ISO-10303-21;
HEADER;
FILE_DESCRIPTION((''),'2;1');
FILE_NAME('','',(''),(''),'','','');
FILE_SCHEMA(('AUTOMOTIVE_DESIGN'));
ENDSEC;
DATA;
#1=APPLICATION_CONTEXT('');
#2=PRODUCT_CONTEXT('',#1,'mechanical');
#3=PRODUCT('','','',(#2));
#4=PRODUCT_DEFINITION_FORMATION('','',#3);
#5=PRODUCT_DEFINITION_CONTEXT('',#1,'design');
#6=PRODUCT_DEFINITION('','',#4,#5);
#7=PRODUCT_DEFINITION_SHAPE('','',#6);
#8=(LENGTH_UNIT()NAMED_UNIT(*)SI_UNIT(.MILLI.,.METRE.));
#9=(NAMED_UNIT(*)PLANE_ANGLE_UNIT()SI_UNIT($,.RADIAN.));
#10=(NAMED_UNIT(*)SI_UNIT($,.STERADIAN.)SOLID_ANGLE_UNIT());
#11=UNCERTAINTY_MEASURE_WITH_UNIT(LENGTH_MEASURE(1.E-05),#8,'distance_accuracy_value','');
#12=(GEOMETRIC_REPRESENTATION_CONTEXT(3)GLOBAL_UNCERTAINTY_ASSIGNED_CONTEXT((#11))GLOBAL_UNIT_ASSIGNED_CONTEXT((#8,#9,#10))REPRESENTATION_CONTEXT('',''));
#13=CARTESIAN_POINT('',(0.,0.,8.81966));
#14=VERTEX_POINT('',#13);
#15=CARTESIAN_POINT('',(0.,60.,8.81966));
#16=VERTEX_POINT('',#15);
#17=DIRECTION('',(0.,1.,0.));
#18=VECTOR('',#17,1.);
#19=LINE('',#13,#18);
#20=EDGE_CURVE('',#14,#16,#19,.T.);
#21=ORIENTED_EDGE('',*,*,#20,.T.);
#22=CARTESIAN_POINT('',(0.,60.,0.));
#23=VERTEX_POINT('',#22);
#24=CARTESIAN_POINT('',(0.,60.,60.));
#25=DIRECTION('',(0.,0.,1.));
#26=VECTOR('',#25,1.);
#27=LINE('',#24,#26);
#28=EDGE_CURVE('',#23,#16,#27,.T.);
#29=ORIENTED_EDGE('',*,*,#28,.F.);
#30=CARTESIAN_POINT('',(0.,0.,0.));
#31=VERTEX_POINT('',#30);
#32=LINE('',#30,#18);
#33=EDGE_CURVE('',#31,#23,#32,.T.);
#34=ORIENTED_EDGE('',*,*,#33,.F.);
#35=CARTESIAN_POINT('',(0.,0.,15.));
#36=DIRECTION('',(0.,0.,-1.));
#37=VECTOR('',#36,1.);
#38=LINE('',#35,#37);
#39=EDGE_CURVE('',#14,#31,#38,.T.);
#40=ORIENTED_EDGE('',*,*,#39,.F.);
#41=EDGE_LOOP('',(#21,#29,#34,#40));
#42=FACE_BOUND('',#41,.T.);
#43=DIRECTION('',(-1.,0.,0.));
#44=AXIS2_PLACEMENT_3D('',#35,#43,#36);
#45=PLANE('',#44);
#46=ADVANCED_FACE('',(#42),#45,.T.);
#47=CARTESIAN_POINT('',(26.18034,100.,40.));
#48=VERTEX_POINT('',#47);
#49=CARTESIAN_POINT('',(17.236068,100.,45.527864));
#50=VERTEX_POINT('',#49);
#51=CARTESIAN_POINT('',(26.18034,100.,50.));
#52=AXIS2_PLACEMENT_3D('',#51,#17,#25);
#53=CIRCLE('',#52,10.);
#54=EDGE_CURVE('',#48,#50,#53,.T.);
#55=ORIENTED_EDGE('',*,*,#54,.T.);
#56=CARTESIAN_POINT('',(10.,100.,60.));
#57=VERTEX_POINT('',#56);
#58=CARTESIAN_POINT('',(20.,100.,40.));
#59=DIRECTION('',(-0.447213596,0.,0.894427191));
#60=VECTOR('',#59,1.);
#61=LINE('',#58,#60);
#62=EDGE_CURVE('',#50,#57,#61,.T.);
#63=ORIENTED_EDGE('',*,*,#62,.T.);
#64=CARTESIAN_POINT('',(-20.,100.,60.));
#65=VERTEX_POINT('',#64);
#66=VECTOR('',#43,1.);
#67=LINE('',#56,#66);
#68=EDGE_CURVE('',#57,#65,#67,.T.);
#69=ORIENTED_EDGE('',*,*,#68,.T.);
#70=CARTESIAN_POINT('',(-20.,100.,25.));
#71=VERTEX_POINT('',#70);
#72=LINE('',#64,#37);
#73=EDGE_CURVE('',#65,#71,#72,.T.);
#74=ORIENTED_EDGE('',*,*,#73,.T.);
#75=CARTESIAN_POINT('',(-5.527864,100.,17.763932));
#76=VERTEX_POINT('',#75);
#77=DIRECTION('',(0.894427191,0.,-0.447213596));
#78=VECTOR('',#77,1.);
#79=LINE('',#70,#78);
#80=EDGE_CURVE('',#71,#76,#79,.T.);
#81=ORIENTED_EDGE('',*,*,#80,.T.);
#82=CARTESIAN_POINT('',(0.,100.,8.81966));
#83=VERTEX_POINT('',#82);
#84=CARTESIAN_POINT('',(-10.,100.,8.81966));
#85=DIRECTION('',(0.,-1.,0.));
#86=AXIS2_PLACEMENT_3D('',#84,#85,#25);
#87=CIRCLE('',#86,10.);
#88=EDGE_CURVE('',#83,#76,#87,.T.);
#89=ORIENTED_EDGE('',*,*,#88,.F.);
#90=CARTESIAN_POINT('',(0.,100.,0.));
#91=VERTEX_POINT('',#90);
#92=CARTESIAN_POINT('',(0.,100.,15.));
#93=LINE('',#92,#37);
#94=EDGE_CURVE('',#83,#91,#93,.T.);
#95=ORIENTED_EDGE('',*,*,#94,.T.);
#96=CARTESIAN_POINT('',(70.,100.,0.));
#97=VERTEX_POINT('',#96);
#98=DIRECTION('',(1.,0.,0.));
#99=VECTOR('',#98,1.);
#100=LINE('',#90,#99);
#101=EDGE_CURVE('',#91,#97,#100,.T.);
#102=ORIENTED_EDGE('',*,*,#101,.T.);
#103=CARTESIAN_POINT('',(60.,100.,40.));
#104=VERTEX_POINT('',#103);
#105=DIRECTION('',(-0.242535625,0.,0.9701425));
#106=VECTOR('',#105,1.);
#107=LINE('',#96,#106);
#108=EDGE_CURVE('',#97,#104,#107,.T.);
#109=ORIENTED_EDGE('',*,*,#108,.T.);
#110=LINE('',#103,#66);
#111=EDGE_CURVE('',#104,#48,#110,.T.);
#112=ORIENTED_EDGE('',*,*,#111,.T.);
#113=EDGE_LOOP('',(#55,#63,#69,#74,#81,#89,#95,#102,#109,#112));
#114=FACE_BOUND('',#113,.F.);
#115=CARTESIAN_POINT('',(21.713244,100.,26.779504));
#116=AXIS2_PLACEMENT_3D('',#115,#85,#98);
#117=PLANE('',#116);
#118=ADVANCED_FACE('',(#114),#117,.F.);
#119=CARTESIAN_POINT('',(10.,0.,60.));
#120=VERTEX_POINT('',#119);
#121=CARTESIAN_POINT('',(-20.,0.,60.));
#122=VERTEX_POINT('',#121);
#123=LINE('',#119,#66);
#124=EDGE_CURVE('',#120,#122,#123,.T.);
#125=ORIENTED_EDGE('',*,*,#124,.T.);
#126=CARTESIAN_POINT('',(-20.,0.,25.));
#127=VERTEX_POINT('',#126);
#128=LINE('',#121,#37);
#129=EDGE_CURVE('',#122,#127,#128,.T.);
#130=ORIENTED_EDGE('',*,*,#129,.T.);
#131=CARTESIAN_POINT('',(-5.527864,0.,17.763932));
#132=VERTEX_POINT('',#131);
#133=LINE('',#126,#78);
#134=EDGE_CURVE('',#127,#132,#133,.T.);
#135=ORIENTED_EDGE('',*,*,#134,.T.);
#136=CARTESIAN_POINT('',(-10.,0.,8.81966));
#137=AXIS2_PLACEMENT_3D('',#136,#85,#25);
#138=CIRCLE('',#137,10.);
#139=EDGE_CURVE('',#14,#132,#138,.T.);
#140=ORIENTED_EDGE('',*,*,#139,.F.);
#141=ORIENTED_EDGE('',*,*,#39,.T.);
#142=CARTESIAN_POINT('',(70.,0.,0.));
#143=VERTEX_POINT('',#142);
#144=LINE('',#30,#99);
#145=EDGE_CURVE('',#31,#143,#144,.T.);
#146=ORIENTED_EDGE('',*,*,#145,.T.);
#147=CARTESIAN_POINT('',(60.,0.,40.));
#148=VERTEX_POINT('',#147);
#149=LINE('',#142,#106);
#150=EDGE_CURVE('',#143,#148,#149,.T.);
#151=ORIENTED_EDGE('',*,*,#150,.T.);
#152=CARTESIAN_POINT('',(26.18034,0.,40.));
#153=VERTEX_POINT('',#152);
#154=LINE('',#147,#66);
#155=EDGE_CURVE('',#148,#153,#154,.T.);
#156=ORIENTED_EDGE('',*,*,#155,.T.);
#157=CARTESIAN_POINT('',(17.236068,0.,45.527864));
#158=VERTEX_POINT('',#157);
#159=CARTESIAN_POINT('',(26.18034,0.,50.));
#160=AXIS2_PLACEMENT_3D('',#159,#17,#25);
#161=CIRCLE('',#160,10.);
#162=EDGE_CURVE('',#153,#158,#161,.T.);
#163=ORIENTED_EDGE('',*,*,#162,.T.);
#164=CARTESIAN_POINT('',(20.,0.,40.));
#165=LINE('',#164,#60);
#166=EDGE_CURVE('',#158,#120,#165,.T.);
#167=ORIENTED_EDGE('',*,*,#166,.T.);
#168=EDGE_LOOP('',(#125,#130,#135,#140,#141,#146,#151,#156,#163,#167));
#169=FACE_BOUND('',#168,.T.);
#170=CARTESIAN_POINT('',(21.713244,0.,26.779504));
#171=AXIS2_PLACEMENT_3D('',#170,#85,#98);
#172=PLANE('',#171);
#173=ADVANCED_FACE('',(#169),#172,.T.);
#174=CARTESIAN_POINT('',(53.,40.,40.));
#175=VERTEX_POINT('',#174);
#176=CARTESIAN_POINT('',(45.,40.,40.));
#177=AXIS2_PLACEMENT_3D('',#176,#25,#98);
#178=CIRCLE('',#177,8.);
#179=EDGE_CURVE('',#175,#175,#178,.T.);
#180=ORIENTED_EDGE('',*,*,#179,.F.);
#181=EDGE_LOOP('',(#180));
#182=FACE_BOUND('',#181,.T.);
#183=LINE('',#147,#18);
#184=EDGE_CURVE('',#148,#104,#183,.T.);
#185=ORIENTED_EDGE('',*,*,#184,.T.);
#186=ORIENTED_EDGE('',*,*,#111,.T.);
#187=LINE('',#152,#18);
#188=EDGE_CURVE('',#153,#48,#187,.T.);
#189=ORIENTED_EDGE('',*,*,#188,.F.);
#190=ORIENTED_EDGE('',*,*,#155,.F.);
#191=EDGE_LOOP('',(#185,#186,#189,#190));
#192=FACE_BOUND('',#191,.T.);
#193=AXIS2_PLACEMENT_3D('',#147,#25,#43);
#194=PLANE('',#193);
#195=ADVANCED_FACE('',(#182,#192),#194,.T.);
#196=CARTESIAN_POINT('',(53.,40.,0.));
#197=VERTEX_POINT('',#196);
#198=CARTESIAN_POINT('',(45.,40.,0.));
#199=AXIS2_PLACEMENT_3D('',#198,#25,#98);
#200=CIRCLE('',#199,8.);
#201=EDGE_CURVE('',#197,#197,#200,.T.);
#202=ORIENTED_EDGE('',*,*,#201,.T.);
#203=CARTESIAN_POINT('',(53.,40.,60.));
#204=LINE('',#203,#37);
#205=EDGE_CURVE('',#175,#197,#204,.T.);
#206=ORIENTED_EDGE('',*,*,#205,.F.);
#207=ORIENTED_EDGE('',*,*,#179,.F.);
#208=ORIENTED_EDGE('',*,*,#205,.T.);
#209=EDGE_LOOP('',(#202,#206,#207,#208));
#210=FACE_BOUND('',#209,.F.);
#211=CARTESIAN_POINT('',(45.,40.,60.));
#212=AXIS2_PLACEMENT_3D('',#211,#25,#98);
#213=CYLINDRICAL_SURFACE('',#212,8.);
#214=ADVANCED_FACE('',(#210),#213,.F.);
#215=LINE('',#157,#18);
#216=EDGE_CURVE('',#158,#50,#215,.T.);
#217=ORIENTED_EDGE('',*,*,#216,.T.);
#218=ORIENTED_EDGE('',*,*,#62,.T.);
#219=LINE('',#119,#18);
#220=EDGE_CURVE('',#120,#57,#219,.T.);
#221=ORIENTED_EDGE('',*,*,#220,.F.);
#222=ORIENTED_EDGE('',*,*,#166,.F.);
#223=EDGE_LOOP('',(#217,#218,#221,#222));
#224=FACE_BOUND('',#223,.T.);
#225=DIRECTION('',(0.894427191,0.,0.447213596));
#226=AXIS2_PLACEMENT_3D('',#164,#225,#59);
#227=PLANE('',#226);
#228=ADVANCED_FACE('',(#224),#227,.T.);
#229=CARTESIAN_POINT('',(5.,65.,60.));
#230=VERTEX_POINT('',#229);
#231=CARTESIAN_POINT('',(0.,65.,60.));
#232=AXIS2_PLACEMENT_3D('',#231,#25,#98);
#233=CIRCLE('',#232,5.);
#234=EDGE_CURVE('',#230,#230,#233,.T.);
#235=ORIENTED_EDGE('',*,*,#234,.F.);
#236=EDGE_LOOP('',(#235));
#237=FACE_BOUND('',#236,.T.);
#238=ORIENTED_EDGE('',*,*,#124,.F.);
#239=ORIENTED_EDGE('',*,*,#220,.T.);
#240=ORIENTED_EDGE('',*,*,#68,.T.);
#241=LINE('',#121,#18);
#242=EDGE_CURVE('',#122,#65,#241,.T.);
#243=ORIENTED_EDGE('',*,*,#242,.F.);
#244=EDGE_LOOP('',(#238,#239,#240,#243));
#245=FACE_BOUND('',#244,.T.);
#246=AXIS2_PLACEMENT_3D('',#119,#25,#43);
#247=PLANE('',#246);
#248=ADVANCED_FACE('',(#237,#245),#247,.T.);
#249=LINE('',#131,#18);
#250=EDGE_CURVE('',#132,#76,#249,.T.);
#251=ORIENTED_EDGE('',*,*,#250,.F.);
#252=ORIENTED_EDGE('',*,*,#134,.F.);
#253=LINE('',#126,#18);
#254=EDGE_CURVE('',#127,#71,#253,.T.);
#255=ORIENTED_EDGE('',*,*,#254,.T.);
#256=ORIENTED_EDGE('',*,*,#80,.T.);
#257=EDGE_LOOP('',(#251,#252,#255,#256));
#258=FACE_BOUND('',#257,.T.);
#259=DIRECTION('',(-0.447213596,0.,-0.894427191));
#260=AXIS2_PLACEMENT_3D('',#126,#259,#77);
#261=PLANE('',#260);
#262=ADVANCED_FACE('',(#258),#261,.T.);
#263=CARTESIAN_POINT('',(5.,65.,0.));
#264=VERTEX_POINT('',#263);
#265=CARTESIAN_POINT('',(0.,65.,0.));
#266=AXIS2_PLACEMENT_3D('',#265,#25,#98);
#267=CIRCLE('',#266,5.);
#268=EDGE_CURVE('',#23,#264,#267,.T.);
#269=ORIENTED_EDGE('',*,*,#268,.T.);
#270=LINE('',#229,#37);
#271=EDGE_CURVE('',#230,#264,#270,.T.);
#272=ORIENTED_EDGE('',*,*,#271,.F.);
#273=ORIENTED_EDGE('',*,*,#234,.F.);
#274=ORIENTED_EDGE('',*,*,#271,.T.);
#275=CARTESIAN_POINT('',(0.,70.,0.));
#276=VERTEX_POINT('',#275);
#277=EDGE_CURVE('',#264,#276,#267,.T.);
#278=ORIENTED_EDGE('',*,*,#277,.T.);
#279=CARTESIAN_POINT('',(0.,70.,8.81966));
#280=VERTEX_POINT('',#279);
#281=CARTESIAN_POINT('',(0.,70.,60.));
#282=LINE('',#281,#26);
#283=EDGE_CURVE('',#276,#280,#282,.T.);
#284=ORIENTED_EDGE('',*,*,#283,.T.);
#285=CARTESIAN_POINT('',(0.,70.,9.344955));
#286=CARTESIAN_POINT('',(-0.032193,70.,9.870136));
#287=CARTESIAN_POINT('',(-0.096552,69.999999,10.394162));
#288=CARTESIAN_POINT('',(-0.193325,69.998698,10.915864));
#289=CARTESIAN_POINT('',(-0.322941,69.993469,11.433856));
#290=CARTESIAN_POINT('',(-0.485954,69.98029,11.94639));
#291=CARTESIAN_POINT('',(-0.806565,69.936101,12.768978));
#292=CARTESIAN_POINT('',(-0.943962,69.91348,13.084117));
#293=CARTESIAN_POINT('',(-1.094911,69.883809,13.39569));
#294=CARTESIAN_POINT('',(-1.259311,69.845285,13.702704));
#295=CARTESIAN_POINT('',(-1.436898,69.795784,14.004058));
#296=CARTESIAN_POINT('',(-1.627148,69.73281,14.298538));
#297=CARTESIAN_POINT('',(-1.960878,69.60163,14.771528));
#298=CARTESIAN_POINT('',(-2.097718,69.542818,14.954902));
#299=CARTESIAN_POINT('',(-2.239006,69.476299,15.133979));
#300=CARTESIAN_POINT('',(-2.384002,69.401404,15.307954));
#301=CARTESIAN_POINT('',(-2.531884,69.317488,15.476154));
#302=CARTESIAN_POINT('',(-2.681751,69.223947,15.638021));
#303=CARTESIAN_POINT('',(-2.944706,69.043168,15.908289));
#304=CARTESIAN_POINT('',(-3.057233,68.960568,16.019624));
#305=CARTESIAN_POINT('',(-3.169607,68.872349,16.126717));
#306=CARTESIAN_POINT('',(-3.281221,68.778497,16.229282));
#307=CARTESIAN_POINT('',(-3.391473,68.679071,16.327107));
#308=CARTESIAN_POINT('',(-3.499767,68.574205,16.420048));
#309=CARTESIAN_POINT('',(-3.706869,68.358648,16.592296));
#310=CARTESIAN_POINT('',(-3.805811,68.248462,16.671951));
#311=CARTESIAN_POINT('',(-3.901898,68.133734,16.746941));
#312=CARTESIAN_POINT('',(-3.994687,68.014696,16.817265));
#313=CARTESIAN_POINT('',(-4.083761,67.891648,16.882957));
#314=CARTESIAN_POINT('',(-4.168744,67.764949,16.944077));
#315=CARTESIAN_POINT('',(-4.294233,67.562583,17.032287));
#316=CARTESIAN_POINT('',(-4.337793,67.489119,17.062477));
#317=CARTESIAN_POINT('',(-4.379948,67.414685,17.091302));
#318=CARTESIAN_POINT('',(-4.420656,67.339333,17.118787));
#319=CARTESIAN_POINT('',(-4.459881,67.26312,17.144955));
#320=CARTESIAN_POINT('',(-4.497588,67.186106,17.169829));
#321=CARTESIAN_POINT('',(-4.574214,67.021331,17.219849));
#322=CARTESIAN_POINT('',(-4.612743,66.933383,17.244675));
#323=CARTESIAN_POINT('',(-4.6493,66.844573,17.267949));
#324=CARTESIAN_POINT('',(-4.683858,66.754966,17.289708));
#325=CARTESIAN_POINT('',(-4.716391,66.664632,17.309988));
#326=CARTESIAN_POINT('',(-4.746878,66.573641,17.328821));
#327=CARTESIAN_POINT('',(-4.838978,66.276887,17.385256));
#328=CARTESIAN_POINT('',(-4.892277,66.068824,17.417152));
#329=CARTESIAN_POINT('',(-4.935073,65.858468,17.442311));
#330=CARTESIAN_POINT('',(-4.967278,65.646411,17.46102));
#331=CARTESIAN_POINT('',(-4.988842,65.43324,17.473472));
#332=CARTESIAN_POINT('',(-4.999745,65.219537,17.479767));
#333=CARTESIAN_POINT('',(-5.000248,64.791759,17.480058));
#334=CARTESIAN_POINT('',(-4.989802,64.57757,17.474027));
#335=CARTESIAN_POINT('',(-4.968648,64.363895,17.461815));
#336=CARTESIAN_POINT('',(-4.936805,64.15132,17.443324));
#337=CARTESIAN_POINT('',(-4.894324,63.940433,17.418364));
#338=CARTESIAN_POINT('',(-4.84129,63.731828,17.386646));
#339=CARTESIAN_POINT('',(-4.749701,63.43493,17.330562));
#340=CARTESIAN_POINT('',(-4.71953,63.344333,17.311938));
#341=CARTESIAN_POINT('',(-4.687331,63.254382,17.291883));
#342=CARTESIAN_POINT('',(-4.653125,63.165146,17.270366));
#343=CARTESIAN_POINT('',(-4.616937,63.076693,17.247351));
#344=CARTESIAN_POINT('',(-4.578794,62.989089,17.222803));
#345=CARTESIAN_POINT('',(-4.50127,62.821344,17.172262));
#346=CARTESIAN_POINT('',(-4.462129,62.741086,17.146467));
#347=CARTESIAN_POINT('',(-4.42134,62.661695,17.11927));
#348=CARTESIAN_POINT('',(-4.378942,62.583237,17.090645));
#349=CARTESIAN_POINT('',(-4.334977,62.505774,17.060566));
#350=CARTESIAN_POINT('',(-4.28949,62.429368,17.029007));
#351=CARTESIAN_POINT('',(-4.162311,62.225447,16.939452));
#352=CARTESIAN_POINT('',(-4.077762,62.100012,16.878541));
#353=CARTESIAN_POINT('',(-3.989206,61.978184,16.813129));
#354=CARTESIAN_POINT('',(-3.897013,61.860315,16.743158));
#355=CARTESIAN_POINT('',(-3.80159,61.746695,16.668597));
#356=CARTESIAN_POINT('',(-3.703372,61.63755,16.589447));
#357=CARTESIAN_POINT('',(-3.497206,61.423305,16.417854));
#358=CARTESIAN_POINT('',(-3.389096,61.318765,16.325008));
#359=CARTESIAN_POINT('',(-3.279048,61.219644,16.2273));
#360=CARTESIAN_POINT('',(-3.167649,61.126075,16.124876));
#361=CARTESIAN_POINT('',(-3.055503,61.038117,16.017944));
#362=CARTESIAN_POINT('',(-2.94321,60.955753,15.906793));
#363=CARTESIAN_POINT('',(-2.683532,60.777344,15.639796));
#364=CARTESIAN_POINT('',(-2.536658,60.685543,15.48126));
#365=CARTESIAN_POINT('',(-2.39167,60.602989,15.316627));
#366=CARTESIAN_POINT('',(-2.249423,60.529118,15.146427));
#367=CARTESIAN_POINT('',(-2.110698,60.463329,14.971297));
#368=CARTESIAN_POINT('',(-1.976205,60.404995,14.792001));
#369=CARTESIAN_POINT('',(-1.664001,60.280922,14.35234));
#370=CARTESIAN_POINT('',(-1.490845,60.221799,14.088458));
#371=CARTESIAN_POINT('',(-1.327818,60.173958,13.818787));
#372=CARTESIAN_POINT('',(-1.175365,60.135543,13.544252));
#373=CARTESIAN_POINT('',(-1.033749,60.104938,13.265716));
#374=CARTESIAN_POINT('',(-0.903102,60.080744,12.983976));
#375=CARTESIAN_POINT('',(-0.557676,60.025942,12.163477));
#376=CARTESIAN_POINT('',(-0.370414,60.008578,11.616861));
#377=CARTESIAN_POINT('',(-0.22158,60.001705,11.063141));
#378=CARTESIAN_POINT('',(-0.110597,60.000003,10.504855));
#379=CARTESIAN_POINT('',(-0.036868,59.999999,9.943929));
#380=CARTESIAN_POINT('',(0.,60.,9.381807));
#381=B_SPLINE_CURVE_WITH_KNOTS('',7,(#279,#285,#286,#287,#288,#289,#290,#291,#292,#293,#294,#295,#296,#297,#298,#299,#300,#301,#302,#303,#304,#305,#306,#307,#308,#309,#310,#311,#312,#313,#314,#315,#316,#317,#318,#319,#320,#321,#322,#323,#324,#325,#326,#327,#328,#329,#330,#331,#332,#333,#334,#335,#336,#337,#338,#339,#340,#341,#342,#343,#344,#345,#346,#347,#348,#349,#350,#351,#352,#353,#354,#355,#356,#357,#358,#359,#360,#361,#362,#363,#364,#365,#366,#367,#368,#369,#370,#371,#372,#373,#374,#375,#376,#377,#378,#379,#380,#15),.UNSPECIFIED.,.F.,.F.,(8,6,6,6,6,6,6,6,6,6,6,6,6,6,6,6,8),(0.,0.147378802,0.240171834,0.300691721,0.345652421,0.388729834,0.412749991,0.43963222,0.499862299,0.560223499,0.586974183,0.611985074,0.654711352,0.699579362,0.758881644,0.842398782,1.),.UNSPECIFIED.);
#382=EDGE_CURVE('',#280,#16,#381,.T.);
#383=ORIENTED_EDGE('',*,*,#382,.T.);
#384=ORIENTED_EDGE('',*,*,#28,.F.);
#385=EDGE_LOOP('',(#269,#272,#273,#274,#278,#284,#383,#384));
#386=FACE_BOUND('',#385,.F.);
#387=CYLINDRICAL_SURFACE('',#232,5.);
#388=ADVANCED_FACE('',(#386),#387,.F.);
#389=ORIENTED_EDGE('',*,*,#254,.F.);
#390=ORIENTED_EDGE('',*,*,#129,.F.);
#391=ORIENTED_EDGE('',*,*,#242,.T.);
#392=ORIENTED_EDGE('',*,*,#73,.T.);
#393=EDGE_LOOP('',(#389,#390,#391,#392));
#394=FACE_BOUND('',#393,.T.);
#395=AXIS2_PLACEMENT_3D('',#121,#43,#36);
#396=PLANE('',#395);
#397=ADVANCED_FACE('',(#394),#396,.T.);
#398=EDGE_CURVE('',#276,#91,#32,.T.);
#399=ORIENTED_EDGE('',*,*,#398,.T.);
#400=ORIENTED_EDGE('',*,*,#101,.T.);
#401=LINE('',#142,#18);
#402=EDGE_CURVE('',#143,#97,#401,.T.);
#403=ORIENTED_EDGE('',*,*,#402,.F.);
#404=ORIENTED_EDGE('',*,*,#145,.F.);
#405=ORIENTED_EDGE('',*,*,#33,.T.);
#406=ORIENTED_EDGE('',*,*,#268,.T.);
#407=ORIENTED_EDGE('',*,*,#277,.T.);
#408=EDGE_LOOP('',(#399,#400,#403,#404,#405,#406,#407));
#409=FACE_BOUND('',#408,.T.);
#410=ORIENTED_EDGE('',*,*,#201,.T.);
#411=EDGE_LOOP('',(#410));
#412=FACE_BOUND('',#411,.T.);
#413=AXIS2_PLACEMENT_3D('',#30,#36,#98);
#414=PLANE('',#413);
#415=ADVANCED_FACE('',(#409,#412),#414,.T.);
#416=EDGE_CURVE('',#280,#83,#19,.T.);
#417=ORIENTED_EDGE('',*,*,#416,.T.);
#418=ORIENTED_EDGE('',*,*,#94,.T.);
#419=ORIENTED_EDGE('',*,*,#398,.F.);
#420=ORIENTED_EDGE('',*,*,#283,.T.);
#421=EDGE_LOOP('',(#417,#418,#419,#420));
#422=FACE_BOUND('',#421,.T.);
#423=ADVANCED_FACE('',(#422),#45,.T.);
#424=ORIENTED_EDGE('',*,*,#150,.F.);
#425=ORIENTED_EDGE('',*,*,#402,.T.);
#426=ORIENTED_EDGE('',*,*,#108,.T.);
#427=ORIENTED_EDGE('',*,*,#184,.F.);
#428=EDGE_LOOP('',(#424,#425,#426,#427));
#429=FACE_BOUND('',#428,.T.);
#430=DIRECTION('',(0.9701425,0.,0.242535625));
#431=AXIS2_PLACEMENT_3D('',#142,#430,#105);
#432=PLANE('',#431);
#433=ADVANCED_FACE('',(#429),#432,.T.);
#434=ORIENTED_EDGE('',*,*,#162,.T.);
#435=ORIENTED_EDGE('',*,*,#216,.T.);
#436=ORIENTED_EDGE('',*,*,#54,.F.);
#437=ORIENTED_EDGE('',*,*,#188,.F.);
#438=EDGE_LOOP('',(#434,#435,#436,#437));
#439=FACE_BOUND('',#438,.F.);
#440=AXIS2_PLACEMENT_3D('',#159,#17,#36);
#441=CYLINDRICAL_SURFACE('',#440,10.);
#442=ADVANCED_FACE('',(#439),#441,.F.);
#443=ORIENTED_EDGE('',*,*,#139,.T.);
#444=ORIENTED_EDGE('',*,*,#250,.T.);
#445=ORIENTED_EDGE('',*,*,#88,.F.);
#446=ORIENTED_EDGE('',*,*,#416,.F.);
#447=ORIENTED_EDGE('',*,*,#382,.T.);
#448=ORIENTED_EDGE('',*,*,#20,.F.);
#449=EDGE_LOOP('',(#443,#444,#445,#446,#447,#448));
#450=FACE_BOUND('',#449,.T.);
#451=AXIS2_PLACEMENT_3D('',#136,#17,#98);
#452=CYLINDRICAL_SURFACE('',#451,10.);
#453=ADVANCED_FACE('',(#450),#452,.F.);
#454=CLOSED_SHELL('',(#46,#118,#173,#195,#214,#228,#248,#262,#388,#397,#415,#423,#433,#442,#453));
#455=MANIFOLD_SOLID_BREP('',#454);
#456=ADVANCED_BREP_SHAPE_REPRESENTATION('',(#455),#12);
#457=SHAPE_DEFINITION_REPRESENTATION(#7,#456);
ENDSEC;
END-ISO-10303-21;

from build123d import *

# Parameters (mm, degrees)
F1_DEPTH = 100
F2_R     = 10
F3_R     = 5
F3_R_2   = 8
F4_DEPTH = 60.001


with BuildPart() as f1:
    # F0 (on Front) → F1 (new body)
    with BuildSketch(Plane.XZ):
        Polygon((0, 15), (0, 0), (70, 0), (60, 40), (20, 40), (10, 60), (-20, 60), (-20, 25), align=None)
    extrude(amount=-F1_DEPTH)

    # F2
    f2_edges = [f1.edges().sort_by_distance(p)[0] for p in [
        (20, 50, 40),
        (0, 50, 15),
    ]]
    fillet(f2_edges, radius=F2_R)

    # F3 (on face) → F4 (cut, through all)
    with BuildSketch(Plane.XY.offset(60)):
        with Locations((0, 65)):
            Circle(F3_R)
        with Locations((45, 40)):
            Circle(F3_R_2)
    extrude(amount=-F4_DEPTH, mode=Mode.SUBTRACT)


solid = f1.part
